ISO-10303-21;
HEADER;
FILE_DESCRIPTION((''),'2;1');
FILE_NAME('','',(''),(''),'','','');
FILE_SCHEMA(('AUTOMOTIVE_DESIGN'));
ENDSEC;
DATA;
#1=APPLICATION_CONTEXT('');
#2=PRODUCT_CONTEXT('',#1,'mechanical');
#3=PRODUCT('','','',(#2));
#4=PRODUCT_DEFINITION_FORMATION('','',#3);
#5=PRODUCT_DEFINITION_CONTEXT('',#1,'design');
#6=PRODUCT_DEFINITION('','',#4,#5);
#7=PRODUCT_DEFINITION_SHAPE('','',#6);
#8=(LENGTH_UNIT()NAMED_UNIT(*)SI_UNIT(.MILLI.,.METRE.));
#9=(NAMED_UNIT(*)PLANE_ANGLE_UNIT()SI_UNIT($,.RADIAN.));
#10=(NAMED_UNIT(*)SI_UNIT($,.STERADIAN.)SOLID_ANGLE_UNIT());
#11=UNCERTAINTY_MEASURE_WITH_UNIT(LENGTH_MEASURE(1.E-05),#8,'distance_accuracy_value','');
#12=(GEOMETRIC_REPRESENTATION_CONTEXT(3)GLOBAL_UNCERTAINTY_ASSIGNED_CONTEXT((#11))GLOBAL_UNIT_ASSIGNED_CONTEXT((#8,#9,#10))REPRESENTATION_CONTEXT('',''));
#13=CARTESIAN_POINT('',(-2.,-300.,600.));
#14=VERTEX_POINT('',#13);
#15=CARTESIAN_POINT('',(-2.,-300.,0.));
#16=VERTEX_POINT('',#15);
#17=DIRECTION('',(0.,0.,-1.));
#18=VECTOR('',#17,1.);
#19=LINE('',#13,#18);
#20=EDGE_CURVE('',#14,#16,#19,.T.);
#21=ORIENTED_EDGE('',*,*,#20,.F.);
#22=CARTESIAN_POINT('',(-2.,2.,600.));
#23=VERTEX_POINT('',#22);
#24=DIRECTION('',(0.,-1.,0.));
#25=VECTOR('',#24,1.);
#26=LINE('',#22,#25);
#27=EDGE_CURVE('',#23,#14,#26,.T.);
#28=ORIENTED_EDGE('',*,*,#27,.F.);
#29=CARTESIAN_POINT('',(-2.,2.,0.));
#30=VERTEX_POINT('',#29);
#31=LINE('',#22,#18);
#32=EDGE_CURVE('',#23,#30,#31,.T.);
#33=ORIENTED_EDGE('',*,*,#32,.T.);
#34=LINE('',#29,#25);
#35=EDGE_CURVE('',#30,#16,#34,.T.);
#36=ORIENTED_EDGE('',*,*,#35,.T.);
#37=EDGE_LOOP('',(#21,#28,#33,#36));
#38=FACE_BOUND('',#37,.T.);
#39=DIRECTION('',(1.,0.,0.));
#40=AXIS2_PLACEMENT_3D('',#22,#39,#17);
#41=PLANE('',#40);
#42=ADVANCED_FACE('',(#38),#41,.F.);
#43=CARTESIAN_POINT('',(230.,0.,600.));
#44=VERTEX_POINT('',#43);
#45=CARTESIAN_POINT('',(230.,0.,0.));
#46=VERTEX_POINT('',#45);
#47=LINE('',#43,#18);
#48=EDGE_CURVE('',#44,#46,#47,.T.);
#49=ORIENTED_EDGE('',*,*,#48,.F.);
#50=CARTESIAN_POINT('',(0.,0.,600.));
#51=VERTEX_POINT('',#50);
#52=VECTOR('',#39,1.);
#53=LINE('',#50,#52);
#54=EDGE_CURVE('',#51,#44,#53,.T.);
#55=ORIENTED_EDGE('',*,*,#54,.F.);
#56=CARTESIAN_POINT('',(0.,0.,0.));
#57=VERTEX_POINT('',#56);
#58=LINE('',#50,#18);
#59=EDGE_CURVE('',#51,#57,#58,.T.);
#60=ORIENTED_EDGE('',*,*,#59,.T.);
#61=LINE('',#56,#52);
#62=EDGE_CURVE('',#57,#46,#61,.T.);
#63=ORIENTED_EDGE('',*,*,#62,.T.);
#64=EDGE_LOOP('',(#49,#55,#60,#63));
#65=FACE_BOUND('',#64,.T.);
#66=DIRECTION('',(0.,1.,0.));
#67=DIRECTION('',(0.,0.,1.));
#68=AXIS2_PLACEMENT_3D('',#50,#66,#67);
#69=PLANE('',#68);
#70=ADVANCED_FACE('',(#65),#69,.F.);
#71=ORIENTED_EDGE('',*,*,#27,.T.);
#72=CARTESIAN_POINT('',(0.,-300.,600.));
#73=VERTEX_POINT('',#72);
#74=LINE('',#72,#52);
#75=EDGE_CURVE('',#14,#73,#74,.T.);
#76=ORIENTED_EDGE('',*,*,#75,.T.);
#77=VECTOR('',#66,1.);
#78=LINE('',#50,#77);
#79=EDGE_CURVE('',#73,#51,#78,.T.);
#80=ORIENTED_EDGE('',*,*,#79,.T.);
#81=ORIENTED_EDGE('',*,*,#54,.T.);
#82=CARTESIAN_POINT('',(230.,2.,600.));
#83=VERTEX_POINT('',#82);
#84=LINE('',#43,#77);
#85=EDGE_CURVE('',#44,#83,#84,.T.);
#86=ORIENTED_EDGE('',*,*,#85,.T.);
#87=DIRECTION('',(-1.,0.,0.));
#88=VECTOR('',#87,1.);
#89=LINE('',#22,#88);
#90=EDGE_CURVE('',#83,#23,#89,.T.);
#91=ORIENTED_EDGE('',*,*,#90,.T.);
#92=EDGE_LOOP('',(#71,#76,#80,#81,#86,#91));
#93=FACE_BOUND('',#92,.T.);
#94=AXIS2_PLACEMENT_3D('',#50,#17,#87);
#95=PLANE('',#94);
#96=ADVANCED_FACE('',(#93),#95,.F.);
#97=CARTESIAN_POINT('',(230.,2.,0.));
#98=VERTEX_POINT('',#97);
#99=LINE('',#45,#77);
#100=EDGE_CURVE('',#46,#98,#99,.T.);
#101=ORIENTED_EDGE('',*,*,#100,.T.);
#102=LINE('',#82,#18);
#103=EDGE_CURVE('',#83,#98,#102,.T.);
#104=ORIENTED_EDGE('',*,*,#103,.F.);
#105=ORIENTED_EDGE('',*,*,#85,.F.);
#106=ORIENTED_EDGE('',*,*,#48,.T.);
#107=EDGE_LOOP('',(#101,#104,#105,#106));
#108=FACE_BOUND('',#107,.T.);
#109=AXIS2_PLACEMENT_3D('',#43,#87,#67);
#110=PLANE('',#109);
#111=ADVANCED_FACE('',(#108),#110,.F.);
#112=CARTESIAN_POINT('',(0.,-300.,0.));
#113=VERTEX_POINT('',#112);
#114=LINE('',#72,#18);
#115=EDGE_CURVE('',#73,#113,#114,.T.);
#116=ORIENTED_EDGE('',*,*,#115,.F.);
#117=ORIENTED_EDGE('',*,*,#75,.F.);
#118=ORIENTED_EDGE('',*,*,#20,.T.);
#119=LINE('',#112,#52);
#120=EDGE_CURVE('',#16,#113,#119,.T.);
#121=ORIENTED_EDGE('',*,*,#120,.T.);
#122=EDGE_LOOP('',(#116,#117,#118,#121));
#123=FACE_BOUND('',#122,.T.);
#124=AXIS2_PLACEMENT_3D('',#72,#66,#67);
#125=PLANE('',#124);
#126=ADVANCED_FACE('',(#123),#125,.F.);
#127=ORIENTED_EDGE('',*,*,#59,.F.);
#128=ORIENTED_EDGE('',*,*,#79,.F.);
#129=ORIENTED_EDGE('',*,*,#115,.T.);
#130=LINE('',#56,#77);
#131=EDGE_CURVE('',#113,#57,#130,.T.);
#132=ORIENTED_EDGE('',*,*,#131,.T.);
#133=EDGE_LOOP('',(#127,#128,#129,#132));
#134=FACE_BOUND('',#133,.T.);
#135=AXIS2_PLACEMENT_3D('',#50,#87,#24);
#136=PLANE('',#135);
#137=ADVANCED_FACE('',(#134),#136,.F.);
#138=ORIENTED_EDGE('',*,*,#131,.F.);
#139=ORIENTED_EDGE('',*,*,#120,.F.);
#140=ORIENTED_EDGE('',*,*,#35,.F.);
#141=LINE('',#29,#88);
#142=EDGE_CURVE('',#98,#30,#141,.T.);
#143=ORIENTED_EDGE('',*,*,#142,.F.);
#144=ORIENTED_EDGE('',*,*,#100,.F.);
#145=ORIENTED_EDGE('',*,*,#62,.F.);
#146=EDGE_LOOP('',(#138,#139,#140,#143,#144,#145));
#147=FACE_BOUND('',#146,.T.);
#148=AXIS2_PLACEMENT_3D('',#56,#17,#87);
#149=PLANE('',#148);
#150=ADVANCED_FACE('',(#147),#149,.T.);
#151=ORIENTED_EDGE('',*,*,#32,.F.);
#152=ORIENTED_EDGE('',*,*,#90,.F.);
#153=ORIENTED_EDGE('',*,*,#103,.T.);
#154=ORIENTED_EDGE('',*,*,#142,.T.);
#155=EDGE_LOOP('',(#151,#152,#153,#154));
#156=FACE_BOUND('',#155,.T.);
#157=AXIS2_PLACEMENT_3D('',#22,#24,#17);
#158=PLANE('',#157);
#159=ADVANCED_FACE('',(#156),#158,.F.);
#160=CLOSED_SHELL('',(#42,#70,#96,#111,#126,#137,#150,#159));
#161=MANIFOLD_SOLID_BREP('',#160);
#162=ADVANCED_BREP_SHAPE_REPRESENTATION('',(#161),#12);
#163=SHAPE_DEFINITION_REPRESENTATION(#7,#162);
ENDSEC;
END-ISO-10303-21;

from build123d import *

# Parameters (mm, degrees)
SALIENTE_EXTRUIR1_DEPTH = 600


with BuildPart() as part:
    # Croquis1 → Saliente-Extruir1 (new body)
    with BuildSketch(Plane.XY):
        Polygon((0, 0), (230, 0), (230, 2), (-2, 2), (-2, -300), (0, -300), align=None)
    extrude(amount=SALIENTE_EXTRUIR1_DEPTH)


solid = part.part
